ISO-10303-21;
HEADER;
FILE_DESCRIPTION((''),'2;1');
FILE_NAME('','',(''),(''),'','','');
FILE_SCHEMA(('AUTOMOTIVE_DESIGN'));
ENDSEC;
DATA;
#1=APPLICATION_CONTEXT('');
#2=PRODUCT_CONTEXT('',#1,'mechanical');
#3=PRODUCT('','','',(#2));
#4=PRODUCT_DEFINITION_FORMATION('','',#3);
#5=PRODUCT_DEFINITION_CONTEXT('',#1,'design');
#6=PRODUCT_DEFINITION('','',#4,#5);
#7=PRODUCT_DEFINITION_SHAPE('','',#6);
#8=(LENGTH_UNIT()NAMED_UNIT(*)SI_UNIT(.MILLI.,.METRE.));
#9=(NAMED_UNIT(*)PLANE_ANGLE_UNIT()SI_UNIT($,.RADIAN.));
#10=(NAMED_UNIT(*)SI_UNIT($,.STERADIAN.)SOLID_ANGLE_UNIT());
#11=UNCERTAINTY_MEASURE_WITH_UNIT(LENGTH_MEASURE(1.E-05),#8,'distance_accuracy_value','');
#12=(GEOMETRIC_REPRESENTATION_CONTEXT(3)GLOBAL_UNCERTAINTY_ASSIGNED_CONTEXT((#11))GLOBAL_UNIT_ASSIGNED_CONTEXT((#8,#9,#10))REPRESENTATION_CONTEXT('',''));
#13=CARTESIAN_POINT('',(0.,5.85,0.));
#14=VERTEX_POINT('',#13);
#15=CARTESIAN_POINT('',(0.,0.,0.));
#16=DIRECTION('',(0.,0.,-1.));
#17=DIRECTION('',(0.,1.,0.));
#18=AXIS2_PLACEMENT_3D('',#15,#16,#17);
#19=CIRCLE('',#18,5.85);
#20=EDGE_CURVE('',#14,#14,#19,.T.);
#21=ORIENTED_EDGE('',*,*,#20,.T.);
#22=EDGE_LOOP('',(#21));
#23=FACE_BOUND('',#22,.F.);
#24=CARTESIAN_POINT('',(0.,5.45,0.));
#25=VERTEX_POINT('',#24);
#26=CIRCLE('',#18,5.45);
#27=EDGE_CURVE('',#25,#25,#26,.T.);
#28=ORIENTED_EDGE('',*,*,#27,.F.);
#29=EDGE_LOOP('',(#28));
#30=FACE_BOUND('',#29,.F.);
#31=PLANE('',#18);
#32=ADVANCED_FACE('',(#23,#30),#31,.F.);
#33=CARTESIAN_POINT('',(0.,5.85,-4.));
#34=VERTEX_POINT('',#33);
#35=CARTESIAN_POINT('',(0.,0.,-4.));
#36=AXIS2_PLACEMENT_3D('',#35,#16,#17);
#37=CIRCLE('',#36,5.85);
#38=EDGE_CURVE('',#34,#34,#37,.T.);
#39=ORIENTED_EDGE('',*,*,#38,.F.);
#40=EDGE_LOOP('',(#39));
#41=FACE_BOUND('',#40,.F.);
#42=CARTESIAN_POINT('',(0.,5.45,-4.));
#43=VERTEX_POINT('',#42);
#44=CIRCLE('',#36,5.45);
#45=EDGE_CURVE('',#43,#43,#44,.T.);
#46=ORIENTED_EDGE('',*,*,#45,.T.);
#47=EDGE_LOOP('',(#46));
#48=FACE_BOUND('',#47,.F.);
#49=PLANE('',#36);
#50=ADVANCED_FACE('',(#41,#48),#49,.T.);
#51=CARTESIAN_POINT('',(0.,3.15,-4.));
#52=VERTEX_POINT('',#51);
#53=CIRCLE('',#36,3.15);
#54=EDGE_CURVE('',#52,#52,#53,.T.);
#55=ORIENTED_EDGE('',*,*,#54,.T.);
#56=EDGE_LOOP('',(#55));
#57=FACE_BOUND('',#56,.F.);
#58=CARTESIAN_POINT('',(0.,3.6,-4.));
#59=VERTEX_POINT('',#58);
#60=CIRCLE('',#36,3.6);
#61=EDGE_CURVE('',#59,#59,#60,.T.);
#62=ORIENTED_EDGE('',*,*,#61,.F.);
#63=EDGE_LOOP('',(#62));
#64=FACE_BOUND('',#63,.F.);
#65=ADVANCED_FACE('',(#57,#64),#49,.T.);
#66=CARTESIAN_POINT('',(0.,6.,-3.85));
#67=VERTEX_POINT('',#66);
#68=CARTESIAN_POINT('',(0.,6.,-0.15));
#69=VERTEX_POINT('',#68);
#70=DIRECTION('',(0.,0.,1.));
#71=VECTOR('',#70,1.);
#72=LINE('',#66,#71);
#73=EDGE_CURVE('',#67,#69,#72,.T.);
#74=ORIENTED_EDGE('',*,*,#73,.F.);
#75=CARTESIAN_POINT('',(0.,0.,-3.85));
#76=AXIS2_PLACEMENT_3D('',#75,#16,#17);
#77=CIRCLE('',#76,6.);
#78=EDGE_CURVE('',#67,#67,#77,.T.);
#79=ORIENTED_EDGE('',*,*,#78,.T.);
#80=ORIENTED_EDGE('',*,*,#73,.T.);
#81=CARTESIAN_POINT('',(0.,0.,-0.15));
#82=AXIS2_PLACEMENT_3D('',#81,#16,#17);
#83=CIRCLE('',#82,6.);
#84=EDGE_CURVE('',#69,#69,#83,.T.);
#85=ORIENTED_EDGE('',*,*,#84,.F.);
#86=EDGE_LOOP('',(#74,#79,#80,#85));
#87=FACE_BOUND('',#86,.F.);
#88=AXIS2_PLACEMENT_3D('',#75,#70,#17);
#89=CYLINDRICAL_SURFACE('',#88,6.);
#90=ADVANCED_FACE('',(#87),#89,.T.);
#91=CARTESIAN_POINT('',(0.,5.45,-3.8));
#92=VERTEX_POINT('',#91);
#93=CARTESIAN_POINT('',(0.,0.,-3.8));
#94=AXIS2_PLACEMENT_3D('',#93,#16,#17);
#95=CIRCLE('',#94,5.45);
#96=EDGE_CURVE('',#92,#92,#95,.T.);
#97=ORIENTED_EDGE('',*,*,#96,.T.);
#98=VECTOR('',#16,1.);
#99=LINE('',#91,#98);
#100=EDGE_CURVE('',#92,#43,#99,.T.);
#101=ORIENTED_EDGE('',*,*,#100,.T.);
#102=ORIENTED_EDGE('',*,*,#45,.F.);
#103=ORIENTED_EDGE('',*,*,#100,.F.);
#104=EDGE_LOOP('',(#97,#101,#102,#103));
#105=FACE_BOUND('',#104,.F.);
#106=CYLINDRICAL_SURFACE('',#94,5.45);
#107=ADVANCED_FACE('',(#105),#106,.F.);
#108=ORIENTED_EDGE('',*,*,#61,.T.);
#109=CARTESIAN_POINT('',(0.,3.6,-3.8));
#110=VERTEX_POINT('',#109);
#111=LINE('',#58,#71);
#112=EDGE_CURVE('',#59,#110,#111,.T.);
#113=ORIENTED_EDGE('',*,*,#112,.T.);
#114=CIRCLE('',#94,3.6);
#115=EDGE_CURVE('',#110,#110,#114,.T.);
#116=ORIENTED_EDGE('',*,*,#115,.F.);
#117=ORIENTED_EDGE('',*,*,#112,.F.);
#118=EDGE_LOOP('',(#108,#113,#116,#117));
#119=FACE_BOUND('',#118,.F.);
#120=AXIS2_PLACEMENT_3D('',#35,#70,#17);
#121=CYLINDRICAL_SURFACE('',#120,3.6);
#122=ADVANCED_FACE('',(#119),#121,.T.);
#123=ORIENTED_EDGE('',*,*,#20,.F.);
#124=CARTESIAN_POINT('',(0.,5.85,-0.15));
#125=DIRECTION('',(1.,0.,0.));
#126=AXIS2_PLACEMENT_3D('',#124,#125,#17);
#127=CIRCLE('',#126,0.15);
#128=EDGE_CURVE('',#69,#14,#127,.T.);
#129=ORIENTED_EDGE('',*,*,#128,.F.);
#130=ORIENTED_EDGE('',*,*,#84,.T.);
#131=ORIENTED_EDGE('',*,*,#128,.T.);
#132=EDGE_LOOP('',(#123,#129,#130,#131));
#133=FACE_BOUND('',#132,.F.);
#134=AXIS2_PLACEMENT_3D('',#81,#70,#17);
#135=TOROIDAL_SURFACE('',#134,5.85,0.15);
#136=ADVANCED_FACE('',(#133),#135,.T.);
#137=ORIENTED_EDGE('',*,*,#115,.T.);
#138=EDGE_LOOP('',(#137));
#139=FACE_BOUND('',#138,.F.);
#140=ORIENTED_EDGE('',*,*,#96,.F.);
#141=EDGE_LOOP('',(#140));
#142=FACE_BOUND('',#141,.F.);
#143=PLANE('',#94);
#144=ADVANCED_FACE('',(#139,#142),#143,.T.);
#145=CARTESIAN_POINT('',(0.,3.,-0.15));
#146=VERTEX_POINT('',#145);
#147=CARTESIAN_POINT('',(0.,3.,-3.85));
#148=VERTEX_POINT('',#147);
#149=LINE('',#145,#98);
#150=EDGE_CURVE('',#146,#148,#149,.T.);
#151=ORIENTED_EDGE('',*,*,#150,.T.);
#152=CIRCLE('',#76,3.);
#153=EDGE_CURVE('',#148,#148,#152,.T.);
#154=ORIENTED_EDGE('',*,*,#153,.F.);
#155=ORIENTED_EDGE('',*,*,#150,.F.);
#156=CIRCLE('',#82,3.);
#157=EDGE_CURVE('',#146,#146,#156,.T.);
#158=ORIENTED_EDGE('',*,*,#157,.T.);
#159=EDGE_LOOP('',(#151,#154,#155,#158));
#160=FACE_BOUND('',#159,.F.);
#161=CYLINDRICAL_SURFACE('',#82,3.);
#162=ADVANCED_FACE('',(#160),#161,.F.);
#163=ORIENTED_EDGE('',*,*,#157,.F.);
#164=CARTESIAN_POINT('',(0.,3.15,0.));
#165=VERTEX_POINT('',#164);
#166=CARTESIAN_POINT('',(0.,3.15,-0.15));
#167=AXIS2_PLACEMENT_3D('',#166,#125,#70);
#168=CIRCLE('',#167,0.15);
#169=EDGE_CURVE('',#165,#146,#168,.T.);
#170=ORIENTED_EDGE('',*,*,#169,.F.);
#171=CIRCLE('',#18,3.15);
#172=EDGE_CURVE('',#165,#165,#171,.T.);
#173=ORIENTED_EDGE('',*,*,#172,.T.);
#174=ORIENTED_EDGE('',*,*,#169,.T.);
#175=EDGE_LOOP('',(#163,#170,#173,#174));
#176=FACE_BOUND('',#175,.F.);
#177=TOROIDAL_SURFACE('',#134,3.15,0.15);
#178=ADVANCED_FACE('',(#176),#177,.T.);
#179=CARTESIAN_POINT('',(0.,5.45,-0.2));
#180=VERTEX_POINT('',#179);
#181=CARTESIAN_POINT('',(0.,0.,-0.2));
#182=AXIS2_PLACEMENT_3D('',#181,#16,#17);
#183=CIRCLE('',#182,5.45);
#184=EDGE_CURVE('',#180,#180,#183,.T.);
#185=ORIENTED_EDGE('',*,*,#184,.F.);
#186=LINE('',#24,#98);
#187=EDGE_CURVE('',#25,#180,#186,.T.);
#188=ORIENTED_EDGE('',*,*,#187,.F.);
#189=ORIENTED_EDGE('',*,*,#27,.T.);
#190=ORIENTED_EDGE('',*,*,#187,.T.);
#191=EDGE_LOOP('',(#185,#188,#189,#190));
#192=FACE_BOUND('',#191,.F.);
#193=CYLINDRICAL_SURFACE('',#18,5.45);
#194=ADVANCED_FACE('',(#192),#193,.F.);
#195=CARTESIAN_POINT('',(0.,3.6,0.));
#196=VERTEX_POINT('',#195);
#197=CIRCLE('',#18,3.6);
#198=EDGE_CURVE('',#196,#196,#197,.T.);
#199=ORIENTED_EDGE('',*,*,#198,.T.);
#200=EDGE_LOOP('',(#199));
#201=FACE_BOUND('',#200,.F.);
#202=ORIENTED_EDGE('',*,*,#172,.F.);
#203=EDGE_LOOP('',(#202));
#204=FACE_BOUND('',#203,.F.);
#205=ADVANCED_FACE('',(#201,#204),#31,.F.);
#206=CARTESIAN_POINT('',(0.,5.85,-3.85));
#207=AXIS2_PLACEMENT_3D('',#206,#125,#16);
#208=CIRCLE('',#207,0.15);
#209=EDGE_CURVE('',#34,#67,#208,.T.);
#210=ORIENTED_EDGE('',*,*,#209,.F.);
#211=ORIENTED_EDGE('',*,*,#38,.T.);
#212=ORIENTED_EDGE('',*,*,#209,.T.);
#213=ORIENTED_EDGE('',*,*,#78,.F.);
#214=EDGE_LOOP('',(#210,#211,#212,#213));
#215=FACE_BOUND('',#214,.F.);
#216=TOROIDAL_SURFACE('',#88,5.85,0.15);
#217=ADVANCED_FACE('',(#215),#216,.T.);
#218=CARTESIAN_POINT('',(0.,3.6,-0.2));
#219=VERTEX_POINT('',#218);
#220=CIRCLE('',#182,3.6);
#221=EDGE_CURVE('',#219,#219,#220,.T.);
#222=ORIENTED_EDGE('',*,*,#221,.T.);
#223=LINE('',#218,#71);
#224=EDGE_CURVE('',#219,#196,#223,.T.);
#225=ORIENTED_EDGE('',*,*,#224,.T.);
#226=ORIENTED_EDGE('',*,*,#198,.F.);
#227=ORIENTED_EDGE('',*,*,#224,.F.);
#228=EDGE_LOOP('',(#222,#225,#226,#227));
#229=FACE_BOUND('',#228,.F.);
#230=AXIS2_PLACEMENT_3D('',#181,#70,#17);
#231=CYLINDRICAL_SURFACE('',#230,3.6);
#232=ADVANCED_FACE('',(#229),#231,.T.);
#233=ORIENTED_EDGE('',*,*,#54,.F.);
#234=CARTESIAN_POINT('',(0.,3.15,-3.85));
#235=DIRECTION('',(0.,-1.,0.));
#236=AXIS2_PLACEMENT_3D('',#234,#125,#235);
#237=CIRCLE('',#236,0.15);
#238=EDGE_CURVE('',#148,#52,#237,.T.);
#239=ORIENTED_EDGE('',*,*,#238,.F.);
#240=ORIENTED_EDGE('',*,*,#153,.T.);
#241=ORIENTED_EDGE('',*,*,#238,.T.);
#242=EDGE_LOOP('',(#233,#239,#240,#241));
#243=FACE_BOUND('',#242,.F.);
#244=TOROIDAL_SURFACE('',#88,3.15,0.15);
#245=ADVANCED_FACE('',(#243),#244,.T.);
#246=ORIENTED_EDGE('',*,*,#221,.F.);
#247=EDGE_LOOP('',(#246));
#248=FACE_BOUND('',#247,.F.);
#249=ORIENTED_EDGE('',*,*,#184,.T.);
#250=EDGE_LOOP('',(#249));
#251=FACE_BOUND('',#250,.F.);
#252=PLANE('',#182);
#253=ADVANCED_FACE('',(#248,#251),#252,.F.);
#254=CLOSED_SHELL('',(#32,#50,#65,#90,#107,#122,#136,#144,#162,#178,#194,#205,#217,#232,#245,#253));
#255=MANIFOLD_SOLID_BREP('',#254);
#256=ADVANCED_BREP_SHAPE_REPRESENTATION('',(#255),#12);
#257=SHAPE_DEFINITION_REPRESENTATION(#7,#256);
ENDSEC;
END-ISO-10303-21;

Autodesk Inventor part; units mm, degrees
sketch "Sketch_1" plane through (0, 0, 0) normal (1, 0, 0) x (0, 0, -1)
  line L0 (4, 0) -> (0, 0)
  arc A0 (0, 3.15) -> (0.15, 3) centre (0.15, 3.15) ccw
  line L1 (0.15, 3) -> (3.85, 3)
  arc A1 (3.85, 3) -> (4, 3.15) centre (3.85, 3.15) ccw
  line L2 (4, 3.15) -> (4, 3.6)
  line L3 (4, 3.6) -> (3.8, 3.6)
  line L4 (3.8, 3.6) -> (3.8, 5.45)
  line L5 (3.8, 5.45) -> (4, 5.45)
  line L6 (4, 5.45) -> (4, 5.85)
  arc A2 (4, 5.85) -> (3.85, 6) centre (3.85, 5.85) ccw
  line L7 (3.85, 6) -> (0.15, 6)
  arc A3 (0.15, 6) -> (0, 5.85) centre (0.15, 5.85) ccw
  line L8 (0, 5.85) -> (0, 5.45)
  line L9 (0, 5.45) -> (0.2, 5.45)
  line L10 (0.2, 5.45) -> (0.2, 3.6)
  line L11 (0.2, 3.6) -> (0, 3.6)
  line L12 (0, 3.6) -> (0, 3.15)
revolve "Revolution1" add sketch "Sketch_1" angle 360 about axis through (0, 0, -4) along (0, 0, -1)
ref_plane "to_housing_XY" through (0, 0, 0) normal (0, 0, -1) x (1, 0, 0)
ref_plane "to_housing_YZ" through (0, 0, 0) normal (1, 0, 0) x (0, -1, 0)
ref_plane "to_housing_ZX" through (0, 0, 0) normal (0, -1, 0) x (0, 0, -1)
properties part number "MR126ZZ" material "鋼、炭素鋼"
